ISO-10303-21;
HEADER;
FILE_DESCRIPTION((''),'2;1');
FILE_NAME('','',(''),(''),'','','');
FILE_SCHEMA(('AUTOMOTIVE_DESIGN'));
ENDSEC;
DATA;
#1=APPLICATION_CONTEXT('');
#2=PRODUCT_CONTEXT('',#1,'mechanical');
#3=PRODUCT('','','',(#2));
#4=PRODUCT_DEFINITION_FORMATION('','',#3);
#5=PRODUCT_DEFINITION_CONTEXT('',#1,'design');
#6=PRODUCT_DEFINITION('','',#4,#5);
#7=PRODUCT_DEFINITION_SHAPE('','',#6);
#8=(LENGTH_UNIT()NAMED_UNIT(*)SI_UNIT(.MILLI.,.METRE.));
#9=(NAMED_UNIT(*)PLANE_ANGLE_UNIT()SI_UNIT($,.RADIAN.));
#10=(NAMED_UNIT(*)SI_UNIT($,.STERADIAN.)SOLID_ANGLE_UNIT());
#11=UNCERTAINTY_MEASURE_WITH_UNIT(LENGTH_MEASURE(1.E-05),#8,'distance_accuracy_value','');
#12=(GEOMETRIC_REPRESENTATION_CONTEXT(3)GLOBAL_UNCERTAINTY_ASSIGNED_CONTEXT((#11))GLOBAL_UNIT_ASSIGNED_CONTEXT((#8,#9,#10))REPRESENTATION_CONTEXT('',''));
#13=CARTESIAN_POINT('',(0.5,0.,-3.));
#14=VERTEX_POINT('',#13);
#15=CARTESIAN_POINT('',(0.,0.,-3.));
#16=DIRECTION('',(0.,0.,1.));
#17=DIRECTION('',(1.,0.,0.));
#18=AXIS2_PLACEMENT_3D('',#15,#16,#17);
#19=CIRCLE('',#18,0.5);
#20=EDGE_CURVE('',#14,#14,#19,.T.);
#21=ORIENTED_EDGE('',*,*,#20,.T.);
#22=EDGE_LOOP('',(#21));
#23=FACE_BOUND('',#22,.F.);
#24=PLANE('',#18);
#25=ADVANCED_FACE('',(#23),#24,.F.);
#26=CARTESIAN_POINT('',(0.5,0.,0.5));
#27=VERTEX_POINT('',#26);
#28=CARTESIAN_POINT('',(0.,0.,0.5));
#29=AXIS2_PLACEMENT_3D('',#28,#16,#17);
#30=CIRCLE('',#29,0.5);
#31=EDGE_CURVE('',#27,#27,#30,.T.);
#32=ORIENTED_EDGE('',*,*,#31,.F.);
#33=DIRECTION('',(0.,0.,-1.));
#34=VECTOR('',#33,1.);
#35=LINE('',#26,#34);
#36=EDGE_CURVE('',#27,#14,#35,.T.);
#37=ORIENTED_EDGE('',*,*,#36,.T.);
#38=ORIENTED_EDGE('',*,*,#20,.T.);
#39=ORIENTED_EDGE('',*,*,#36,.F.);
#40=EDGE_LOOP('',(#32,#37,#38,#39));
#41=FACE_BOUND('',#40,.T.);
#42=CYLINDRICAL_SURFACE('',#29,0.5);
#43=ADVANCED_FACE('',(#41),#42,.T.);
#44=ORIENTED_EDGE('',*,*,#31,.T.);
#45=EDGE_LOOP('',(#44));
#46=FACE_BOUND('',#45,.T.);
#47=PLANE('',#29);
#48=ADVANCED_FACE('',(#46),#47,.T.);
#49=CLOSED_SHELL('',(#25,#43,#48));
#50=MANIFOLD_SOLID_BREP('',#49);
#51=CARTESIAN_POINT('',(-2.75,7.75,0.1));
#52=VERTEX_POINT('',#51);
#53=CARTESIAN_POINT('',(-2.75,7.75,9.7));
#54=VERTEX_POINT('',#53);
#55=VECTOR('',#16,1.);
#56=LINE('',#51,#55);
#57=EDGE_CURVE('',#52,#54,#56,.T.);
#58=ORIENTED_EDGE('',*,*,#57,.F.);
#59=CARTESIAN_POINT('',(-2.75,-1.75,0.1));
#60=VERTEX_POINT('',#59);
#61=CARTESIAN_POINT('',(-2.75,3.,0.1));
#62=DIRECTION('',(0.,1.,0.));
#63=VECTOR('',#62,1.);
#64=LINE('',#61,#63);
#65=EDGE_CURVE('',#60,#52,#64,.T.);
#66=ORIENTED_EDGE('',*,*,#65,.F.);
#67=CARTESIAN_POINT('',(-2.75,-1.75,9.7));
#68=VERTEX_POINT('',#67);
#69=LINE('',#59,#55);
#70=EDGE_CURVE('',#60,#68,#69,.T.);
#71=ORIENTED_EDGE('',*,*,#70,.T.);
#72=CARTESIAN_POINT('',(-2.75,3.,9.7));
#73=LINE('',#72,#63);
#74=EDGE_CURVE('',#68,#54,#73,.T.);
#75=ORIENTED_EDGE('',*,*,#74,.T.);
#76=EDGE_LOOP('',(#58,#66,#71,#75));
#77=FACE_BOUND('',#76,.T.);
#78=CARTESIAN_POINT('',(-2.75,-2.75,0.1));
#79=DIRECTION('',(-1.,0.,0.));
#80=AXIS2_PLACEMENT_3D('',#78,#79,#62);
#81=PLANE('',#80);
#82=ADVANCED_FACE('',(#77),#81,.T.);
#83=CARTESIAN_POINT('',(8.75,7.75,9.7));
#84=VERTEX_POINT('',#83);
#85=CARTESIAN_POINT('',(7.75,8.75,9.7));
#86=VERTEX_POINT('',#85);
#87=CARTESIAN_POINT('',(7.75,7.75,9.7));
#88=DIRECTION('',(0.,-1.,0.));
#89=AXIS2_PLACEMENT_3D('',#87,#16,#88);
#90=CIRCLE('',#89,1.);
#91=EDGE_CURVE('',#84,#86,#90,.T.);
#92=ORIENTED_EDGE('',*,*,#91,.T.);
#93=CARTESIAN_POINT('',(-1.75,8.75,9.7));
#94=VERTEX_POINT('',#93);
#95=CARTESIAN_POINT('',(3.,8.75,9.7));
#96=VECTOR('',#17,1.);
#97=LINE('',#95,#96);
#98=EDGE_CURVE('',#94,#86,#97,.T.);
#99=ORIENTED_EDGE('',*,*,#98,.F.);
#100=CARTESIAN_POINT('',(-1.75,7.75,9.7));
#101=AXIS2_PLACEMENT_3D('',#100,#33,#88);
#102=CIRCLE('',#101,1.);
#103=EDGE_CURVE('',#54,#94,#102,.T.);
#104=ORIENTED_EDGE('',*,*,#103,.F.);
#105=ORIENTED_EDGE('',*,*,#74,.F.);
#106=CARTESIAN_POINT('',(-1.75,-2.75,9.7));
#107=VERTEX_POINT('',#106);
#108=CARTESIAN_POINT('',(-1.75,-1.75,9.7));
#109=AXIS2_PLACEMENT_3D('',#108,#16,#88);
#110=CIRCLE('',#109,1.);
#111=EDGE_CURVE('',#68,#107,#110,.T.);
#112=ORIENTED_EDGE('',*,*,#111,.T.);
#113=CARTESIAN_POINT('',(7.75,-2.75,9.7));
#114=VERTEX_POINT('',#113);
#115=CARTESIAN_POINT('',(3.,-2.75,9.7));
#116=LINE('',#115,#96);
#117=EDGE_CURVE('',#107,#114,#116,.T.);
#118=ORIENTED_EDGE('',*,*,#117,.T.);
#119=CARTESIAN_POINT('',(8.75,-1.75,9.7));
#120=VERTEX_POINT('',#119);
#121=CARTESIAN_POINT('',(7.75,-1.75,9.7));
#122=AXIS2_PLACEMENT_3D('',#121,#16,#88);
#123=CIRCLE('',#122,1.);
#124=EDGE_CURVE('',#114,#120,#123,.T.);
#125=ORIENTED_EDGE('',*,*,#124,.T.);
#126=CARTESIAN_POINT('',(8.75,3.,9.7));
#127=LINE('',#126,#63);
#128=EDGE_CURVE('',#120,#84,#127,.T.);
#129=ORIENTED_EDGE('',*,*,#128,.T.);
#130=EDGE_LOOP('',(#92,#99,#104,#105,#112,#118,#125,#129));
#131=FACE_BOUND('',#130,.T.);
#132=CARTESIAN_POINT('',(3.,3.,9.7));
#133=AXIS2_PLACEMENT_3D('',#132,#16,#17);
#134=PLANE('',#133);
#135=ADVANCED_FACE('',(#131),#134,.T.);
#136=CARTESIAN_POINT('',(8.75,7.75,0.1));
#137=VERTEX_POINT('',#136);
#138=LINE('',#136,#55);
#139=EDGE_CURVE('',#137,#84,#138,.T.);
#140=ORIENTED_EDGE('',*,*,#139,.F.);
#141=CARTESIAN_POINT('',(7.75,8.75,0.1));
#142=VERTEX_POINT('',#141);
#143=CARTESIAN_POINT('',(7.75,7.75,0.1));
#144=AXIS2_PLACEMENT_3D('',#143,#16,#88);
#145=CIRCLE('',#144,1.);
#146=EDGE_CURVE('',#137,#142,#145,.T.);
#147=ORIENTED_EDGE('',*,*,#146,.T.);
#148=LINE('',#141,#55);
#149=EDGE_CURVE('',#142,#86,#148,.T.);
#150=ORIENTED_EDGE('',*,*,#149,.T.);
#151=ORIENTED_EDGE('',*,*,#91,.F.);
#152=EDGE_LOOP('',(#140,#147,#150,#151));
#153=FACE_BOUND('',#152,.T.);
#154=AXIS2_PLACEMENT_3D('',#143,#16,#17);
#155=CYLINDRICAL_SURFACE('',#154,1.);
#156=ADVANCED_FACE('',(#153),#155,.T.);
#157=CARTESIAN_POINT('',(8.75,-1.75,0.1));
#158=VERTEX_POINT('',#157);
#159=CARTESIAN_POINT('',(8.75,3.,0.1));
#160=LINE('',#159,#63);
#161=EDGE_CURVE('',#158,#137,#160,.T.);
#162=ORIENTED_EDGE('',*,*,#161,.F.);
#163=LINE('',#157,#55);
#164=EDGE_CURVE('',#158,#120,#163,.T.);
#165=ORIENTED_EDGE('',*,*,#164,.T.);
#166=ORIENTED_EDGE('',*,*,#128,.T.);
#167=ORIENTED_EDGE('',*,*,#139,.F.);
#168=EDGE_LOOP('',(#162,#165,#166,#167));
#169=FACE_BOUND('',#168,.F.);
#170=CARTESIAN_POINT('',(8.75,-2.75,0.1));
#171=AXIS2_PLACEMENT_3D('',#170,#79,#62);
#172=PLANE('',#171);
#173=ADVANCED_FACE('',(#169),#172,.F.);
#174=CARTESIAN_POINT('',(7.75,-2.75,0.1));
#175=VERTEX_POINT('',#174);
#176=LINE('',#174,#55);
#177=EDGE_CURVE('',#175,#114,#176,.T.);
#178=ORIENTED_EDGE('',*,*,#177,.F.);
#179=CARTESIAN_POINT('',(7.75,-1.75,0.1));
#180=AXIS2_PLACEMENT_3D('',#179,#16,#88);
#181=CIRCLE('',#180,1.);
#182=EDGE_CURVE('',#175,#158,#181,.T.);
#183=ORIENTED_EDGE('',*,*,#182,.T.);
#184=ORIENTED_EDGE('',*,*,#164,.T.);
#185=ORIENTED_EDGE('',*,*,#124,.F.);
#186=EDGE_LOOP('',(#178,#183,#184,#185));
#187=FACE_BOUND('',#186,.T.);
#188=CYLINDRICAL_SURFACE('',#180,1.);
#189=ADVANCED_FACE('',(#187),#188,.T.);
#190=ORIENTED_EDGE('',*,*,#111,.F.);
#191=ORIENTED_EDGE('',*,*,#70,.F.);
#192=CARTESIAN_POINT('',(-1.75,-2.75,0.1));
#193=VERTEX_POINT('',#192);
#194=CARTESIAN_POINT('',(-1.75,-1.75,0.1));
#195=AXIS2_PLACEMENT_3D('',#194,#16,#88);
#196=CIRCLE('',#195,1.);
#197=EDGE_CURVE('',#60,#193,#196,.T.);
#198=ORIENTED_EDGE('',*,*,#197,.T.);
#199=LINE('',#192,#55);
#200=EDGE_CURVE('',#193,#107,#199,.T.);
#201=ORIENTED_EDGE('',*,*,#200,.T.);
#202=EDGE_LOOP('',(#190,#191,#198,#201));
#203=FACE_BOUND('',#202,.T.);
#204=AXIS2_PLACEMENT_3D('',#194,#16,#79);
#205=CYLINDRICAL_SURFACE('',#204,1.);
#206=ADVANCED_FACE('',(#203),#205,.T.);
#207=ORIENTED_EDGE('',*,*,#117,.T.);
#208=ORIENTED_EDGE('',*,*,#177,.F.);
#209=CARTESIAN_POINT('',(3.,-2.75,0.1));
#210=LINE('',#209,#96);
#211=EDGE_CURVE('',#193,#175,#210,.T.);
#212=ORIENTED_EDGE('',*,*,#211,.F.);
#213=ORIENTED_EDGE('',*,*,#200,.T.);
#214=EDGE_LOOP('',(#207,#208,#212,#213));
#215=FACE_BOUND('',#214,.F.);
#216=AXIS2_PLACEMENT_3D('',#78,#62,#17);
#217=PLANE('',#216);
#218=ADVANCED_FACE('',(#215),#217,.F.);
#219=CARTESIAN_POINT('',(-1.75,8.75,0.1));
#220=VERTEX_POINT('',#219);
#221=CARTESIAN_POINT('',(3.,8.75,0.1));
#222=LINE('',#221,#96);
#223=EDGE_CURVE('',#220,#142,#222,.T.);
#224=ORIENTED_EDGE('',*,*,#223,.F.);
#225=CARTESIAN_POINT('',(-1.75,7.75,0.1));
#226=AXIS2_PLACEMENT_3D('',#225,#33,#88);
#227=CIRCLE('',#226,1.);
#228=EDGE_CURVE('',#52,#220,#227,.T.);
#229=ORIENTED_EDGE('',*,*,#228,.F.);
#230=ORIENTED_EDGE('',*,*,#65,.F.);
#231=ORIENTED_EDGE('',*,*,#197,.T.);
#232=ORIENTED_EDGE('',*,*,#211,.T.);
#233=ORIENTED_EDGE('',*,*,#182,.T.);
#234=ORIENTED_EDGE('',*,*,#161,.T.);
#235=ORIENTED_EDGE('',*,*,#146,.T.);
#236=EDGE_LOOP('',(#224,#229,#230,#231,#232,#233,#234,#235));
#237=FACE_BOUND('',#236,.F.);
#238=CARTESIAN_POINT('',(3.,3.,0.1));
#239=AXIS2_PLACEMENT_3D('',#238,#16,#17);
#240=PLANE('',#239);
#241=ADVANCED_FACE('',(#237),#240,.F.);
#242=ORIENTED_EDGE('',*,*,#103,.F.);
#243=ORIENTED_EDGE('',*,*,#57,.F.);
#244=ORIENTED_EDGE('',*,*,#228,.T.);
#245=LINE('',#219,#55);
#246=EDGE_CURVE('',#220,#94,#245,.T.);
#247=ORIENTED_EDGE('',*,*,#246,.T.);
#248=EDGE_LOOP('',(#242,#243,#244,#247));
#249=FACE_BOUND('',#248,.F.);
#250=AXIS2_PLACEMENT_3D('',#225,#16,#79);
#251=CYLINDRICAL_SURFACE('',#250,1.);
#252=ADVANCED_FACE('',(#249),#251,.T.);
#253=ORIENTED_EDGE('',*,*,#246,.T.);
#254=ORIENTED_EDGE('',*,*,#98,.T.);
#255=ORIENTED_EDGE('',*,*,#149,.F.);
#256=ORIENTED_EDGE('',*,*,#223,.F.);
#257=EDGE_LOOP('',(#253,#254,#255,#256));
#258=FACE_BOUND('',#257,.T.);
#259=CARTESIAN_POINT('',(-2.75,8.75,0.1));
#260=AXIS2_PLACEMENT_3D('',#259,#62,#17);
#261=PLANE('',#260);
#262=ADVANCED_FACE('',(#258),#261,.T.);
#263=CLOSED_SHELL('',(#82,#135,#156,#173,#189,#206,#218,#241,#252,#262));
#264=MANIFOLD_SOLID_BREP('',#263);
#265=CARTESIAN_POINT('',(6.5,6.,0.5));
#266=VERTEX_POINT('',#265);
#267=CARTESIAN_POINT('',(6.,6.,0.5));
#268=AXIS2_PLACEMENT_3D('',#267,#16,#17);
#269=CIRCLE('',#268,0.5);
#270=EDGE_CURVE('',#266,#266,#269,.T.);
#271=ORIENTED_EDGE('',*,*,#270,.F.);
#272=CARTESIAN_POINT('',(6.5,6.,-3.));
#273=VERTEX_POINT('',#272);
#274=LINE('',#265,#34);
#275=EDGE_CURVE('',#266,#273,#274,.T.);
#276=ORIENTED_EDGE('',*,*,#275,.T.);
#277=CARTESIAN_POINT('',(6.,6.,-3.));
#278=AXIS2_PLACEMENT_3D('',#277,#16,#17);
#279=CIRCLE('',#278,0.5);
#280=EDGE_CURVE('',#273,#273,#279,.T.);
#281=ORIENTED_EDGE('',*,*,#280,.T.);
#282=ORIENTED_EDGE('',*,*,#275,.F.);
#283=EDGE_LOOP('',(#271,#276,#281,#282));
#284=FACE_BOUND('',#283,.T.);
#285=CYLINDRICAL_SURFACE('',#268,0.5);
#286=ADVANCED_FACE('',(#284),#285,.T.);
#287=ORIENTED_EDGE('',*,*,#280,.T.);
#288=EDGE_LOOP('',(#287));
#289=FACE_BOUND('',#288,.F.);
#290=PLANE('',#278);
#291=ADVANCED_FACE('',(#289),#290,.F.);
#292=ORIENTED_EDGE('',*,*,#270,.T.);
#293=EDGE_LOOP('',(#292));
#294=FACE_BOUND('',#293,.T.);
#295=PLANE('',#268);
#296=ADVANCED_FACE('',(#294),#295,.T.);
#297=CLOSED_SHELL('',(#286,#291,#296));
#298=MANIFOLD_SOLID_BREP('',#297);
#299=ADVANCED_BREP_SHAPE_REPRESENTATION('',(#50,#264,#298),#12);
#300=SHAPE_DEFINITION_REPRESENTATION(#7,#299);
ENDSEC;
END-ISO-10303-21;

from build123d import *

# Parameters (mm, degrees)
SKETCH001_R  = 0.5
PAD001_DEPTH = 3.5
SKETCH_W     = 11.5
SKETCH_H     = 11.5
PAD_DEPTH    = 9.6
FILLET_R     = 1


with BuildPart() as pad001:
    # Sketch001 → Pad001 (new body)
    with BuildSketch(Plane.XY.offset(0.5)):
        Circle(SKETCH001_R)
        with Locations((6, 6)):
            Circle(SKETCH001_R)
    extrude(amount=-PAD001_DEPTH)


with BuildPart() as fillet_body:
    # Sketch → Pad (new body)
    with BuildSketch(Plane.XY.offset(0.1)):
        with Locations((3, 3)):
            Rectangle(SKETCH_W, SKETCH_H)
    extrude(amount=PAD_DEPTH)

    # Fillet
    fillet_edges = [fillet_body.edges().sort_by_distance(p)[0] for p in [
        (8.75, -2.75, 4.9),
        (8.75, 8.75, 4.9),
        (-2.75, -2.75, 4.9),
        (-2.75, 8.75, 4.9),
    ]]
    fillet(fillet_edges, radius=FILLET_R)


solid = Compound([pad001.part, fillet_body.part])
